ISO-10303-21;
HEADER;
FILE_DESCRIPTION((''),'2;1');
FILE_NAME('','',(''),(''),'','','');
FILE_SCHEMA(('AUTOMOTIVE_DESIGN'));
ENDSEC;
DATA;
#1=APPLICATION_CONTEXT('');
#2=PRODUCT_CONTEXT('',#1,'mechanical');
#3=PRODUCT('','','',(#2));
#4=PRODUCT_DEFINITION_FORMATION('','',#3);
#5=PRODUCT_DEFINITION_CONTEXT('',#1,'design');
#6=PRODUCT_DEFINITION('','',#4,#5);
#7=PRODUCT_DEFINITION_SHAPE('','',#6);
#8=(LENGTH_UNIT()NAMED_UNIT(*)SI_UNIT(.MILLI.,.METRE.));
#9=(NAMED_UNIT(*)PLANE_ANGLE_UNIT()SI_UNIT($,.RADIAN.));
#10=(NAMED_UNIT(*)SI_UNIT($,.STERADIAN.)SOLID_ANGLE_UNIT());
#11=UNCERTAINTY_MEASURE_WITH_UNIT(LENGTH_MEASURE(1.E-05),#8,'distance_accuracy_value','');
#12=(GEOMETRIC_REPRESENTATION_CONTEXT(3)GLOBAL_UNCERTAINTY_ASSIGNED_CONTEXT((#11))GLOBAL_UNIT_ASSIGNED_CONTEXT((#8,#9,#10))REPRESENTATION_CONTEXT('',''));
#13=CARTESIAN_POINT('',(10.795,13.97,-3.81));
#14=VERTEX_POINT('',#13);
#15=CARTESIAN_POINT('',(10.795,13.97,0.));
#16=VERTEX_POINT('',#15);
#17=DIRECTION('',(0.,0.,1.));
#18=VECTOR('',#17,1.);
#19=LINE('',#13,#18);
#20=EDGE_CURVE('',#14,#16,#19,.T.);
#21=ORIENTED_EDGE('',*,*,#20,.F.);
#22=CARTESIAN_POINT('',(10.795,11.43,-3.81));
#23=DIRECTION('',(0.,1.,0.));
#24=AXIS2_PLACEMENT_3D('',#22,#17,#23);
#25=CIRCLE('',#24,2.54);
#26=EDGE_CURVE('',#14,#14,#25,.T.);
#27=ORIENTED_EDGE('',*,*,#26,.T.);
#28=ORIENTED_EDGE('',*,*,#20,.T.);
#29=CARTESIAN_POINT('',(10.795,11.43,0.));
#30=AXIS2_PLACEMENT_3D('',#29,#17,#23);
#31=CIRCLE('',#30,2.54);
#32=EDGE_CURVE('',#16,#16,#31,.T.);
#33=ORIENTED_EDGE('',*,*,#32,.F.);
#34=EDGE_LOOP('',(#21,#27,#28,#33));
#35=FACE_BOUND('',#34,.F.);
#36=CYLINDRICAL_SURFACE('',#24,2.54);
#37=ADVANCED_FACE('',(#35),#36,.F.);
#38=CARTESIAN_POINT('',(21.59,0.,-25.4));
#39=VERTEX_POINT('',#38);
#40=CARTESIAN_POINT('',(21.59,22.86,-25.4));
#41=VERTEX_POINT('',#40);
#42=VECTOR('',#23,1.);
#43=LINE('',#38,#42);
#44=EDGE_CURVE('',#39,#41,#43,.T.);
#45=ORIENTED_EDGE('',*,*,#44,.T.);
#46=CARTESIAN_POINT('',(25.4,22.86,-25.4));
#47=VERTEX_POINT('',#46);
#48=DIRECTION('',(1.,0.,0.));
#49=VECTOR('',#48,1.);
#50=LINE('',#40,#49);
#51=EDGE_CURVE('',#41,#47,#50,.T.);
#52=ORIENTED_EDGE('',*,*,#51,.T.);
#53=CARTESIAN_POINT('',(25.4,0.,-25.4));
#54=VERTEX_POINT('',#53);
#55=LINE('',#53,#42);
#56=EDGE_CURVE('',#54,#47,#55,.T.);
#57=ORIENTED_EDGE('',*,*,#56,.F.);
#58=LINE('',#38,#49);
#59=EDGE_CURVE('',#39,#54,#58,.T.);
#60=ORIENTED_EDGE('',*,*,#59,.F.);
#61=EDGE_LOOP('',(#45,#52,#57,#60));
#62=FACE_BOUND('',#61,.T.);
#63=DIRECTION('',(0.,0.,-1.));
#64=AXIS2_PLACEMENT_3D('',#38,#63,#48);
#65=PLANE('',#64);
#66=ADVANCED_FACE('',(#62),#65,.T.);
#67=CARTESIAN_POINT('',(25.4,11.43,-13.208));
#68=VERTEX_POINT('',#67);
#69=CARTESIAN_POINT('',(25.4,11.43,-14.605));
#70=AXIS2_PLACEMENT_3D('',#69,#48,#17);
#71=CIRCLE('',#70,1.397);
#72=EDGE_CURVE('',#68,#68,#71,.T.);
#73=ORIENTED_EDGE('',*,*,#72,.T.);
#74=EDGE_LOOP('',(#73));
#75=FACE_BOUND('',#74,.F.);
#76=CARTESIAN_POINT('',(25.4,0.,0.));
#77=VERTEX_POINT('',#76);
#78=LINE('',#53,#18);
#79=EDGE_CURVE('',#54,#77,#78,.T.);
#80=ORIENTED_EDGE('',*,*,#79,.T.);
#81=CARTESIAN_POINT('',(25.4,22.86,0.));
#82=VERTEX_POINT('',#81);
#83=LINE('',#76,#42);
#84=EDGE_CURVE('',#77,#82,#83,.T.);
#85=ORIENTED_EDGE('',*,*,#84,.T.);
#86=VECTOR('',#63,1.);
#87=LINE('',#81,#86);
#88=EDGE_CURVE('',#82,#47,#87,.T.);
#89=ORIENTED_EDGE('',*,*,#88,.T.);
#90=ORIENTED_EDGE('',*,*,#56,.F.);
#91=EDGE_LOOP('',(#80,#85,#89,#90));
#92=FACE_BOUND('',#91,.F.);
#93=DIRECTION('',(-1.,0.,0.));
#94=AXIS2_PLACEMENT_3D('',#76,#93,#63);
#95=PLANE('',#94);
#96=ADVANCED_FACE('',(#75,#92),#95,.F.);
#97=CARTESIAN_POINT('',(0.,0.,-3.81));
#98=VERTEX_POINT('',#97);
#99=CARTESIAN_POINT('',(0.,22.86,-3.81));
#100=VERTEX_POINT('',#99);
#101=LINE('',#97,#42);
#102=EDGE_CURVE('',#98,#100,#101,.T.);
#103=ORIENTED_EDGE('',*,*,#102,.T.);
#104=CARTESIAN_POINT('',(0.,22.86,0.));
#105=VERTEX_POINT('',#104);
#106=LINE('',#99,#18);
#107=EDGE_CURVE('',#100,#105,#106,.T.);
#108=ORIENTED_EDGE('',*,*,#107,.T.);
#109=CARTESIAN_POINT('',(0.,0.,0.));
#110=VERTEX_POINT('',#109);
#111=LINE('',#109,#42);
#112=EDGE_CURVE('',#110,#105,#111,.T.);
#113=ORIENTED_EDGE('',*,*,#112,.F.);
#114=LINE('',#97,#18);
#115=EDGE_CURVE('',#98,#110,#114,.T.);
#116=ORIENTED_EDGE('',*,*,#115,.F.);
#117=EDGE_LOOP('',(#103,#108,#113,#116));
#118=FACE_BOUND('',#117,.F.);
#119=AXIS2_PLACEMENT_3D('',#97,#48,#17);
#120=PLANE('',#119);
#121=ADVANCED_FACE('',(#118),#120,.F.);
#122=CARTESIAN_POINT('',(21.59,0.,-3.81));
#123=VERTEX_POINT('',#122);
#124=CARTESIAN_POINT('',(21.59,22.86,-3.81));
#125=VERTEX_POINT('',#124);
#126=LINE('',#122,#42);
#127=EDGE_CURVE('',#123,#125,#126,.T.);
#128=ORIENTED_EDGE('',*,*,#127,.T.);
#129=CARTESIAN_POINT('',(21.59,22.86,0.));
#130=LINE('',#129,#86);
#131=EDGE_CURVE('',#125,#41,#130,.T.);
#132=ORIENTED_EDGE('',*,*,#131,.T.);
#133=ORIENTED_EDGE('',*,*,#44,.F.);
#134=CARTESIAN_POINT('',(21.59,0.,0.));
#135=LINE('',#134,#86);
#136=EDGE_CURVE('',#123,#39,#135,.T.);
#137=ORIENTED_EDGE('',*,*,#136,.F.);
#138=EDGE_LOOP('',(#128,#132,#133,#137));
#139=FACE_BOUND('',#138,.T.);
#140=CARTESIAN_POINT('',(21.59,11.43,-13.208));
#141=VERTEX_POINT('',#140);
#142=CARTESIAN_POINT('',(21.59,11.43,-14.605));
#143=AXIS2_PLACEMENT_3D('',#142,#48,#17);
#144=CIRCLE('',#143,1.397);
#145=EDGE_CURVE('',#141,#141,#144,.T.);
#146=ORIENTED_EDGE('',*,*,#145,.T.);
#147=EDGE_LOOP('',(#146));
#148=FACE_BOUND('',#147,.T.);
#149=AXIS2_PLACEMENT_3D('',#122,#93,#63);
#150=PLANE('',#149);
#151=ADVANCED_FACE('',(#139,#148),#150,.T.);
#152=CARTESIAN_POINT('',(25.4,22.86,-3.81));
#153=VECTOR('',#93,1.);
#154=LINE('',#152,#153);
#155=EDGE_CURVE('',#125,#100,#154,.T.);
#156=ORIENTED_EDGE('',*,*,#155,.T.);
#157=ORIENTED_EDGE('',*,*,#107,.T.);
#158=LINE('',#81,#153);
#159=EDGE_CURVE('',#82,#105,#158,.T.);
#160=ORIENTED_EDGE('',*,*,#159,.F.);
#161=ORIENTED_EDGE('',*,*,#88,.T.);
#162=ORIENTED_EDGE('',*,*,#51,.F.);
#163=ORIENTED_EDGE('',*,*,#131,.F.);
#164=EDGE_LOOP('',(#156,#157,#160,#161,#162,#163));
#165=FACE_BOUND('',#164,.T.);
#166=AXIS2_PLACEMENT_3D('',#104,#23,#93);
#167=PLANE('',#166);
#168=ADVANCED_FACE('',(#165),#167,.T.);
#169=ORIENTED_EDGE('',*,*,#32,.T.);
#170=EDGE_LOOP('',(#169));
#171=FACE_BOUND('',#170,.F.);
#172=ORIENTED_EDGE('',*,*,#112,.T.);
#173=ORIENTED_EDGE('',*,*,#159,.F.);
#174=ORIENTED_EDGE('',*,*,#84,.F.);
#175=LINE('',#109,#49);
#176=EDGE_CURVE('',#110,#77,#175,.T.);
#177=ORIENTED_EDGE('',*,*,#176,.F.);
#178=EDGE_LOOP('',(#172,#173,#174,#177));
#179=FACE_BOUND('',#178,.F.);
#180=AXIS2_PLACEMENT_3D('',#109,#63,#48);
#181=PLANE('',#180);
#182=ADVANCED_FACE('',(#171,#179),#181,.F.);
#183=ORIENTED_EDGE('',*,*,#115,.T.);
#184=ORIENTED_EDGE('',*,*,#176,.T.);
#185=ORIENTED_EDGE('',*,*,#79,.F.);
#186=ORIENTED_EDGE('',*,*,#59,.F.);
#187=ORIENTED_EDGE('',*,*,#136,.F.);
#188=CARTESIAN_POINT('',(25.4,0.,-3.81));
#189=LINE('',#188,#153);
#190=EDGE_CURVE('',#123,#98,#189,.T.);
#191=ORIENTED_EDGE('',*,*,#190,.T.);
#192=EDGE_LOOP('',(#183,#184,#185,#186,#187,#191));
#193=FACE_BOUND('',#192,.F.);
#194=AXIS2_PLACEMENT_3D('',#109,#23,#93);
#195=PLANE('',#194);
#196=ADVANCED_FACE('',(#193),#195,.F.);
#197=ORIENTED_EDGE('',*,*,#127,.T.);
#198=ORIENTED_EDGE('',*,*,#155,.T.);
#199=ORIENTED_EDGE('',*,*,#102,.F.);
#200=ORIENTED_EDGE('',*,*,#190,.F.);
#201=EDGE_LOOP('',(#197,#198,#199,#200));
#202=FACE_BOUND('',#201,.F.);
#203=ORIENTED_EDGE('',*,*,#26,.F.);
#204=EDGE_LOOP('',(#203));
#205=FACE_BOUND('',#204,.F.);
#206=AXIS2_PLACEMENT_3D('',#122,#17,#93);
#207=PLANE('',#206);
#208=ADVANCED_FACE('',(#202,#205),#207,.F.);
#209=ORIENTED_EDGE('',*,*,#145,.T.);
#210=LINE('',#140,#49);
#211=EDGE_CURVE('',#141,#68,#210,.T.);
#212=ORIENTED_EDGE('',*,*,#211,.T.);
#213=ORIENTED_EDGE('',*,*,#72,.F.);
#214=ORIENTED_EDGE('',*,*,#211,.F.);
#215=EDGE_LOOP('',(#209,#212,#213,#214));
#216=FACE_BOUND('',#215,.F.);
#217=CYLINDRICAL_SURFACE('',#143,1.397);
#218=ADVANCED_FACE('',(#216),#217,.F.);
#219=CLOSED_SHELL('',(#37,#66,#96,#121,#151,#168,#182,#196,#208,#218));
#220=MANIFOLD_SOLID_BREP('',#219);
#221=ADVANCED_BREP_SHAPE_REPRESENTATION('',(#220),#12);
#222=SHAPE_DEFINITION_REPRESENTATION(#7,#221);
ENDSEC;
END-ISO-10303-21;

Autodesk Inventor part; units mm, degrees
ref_plane "YZ Plane" through (0, 0, 0) normal (1, 0, 0) x (0, 1, 0)
ref_plane "XZ Plane" through (0, 0, 0) normal (0, 1, 0) x (-1, 0, 0)
ref_plane "XY Plane" through (0, 0, 0) normal (0, 0, 1) x (1, 0, 0)
sketch "Sketch1" plane through (0, 0, 0) normal (0, 1, 0) x (-1, 0, 0)
  line L0 (0, 0) -> (-25.4, 0)
  line L1 (-25.4, 0) -> (-25.4, -3.81)
  line L2 (-25.4, -3.81) -> (0, -3.81)
  line L3 (0, -3.81) -> (0, 0)
  line L4 (-25.4, 0) -> (-21.59, 0)
  line L5 (-21.59, 0) -> (-21.59, -25.4)
  line L6 (-21.59, -25.4) -> (-25.4, -25.4)
  line L7 (-25.4, -25.4) -> (-25.4, 0)
  dimension "d0" = 25.4
  dimension "d1" = 3.81
  dimension "d2" = 3.81
  dimension "d3" = 25.4
extrude "Extrusion1" add sketch "Sketch1" along normal blind 22.86
sketch "Sketch2" plane through (21.59, 0, -25.4) normal (-1, 0, 0) x (0, 0, 1)
  line L0 (0, 0) -> (0, 22.86) projected
  line L1 (0, 11.43) -> (10.795, 11.43)
  point P0 (25.4, 0)
  dimension "d9" = 10.795
hole "Hole1" at (21.59, 11.43, -14.605) direction (1, 0, 0) diameter 2.794 end through all
sketch "Sketch3" plane through (21.59, 0, -3.81) normal (0, 0, -1) x (-1, 0, 0)
  line L0 (21.59, 0) -> (21.59, 22.86) projected
  line L1 (21.59, 11.43) -> (10.795, 11.43)
  dimension "d17" = 10.795
hole "Hole2" at (10.795, 11.43, -3.81) direction (0, 0, 1) diameter 5.08 end through all
properties part number "part v5"
